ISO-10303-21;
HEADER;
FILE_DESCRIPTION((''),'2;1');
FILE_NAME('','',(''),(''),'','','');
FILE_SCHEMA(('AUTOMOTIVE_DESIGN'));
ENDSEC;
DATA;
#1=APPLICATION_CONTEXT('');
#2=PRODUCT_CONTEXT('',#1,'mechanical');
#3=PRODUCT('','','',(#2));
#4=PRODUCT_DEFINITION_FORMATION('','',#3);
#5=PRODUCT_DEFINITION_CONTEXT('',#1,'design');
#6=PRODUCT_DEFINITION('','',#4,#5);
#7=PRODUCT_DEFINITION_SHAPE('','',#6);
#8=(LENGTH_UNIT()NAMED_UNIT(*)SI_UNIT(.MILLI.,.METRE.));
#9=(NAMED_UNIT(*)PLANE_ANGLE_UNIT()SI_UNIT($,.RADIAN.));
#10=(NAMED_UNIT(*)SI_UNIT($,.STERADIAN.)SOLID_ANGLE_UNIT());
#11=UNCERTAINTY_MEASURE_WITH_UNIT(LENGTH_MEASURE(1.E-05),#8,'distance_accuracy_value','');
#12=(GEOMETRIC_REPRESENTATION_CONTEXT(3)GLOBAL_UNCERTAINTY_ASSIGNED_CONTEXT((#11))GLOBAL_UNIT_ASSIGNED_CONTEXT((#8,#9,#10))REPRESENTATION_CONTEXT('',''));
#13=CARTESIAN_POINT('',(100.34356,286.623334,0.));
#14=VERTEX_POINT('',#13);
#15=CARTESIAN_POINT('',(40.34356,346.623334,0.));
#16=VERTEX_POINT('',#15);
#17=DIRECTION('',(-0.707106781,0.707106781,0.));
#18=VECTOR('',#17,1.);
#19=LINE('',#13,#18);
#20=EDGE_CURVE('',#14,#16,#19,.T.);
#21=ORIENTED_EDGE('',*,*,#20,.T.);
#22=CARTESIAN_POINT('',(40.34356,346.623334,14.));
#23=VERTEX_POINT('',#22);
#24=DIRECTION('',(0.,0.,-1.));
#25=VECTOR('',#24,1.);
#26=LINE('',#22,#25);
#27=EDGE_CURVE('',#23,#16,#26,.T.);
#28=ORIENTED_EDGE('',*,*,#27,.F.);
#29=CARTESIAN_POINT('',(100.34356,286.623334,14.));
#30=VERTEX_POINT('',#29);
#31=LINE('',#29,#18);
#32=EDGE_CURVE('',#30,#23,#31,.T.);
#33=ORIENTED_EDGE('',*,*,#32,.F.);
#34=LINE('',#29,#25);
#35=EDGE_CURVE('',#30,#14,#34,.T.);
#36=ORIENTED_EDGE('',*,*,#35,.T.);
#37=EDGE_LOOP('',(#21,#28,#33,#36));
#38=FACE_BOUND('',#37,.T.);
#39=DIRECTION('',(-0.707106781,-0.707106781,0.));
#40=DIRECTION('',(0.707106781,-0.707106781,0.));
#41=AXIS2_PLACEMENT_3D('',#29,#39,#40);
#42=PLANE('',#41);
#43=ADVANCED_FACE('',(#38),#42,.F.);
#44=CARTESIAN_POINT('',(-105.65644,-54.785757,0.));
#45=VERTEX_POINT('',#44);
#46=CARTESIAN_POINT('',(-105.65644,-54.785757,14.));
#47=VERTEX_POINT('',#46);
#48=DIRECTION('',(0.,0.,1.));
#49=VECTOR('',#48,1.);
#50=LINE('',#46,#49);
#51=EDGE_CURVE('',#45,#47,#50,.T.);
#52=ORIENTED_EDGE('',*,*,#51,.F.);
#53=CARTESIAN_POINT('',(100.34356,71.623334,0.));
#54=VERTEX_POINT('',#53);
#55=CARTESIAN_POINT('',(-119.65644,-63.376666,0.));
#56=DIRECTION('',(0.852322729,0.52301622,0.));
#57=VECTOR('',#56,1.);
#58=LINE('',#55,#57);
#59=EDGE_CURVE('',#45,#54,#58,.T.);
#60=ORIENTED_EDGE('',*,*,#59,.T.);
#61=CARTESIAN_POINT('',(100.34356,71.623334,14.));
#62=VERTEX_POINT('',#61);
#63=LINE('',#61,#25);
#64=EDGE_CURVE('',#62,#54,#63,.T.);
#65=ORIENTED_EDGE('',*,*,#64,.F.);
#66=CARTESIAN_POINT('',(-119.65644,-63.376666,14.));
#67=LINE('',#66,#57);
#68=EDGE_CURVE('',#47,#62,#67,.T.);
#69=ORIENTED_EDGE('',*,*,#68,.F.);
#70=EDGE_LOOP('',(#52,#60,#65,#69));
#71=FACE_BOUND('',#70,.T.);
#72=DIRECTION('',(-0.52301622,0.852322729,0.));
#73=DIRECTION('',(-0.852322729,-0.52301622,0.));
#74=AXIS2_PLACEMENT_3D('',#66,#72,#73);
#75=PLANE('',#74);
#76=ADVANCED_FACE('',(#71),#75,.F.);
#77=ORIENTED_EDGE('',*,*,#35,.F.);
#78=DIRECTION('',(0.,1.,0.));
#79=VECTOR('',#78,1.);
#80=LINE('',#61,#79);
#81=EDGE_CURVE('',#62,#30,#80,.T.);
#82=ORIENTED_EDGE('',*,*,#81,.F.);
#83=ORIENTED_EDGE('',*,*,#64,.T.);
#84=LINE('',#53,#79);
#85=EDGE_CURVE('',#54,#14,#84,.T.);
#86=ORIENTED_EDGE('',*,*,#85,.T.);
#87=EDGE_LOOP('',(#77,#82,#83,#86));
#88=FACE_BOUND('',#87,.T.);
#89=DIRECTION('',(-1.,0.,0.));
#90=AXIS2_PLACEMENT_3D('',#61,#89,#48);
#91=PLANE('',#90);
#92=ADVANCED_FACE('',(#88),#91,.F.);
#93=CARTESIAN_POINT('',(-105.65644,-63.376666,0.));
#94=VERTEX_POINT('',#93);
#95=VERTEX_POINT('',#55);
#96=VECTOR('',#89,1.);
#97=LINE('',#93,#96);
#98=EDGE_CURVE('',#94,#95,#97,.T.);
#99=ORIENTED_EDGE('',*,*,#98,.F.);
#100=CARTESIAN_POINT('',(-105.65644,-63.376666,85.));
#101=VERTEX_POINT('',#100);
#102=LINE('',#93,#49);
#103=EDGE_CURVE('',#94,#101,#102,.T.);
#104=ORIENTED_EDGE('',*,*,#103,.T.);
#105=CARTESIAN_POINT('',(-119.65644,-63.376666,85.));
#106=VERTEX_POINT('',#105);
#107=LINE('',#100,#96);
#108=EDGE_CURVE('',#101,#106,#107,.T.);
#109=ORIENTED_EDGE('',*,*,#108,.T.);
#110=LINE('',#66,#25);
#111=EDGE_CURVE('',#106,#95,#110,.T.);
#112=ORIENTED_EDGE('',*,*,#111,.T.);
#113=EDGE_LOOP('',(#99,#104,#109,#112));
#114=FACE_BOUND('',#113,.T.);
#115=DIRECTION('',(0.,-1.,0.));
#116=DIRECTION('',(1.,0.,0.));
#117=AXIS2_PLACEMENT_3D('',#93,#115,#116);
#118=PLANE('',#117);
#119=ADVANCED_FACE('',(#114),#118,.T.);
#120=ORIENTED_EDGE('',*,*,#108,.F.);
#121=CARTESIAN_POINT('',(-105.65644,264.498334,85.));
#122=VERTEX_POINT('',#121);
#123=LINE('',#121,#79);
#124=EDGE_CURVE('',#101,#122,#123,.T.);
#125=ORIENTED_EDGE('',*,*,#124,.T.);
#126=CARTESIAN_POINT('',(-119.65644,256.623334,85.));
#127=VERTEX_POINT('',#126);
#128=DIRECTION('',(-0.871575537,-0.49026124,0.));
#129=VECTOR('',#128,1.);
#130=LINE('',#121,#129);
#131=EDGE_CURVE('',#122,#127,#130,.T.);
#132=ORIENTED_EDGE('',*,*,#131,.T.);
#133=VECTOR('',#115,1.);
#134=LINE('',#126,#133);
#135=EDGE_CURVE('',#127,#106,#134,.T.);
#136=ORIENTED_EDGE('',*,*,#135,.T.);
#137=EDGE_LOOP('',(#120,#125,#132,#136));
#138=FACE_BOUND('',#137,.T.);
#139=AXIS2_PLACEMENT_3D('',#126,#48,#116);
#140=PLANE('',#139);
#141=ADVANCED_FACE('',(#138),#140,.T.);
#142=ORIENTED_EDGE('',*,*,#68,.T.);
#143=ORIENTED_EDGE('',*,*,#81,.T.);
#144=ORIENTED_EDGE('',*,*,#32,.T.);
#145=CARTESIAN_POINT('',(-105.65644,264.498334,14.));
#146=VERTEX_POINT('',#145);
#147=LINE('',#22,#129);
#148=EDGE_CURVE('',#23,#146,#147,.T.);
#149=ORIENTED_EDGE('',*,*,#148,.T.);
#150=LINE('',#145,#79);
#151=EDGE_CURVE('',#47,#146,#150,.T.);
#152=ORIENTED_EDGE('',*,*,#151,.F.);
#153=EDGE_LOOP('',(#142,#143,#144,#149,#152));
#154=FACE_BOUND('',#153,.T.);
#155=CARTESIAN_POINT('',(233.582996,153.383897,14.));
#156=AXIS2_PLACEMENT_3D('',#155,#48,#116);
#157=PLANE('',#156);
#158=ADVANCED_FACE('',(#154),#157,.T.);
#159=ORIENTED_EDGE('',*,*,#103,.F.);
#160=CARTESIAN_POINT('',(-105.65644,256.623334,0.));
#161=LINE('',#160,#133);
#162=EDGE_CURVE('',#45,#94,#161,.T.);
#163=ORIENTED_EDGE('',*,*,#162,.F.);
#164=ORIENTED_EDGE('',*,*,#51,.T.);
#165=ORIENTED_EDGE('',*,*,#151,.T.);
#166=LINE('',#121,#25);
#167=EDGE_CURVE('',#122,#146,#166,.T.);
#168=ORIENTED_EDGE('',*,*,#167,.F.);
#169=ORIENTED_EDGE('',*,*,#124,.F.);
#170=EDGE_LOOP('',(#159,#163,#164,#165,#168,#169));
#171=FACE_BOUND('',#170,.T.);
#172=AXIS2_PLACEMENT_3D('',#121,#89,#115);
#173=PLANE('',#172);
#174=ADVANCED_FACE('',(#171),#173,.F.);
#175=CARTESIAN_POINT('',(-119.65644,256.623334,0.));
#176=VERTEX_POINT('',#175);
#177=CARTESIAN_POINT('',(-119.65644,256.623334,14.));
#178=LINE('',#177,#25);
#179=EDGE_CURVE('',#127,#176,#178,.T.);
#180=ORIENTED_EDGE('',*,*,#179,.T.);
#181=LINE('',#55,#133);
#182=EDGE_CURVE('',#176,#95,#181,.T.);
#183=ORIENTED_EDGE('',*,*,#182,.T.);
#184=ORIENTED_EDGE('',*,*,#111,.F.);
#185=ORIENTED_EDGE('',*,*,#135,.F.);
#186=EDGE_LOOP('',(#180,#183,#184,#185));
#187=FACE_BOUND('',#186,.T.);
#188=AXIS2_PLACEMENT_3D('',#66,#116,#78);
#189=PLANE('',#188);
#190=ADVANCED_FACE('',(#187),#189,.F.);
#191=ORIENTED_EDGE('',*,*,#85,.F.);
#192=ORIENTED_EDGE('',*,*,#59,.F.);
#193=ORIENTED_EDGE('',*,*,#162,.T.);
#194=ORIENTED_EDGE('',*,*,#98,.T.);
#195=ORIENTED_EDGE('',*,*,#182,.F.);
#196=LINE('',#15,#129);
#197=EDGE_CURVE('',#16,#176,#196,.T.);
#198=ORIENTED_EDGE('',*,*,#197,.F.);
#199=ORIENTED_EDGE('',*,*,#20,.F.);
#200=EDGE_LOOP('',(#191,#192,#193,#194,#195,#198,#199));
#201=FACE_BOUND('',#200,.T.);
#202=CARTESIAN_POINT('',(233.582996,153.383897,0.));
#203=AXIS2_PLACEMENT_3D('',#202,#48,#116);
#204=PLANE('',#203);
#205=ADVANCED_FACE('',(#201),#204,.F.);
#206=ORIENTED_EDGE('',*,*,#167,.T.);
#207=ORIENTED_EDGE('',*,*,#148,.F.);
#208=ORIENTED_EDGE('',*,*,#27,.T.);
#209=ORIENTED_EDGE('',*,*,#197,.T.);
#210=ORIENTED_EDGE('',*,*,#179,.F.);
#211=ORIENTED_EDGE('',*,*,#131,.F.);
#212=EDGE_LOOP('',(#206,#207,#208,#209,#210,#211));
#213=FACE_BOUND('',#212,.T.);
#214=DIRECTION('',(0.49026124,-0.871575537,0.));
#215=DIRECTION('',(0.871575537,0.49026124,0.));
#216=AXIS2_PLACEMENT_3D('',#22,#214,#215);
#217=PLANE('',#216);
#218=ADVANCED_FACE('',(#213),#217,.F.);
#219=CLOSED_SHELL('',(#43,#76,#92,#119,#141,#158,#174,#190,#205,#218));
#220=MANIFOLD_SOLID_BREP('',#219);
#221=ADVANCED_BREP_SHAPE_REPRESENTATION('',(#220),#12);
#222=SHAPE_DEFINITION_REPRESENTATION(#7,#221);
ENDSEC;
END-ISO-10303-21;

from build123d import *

# Parameters (mm, degrees)
SKETCH_1_R             = 13
EXTRUDE_1_DEPTH        = 14
EXTRUDE_2_DEPTH        = 71
SKETCH_5_R             = 13
CUT_EXTRUDE_3_DEPTH    = 420.252591423
PATTERN_LINEAR_1_COUNT = 4
PATTERN_LINEAR_1_PITCH = 80
SKETCH_7_W             = 85
SKETCH_7_H             = 320
EXTRUDE_3_DEPTH        = 14
EXTRUDE_4_DEPTH        = 14


with BuildPart() as part:
    # 草图1 → 凸台-拉伸1 (new body)
    with BuildSketch(Plane.XY):
        Polygon((-119.656440364, -63.376666372), (-119.656440364, 256.623333628), (40.343559636, 346.623333628), (100.343559636, 286.623333628), (100.343559636, 71.623333628), align=None)
        with Locations((-16.318215015, 232.316337145)):
            Circle(SKETCH_1_R, mode=Mode.SUBTRACT)
        with Locations((36.830892091, 292.109082639)):
            Circle(SKETCH_1_R, mode=Mode.SUBTRACT)
    extrude(amount=EXTRUDE_1_DEPTH)

    # 草图3 → 凸台-拉伸2 (add)
    with BuildSketch(Plane.XY.offset(14)):
        Polygon((-105.656440364, 264.498333628), (-105.656440364, -54.785757281), (-119.656440364, -63.376666372), (-119.656440364, 256.623333628), align=None)
    extrude(amount=EXTRUDE_2_DEPTH)

    # 草图5 → 切除-拉伸3 (cut, through all)
    with BuildSketch(Plane.ZY.offset(119.656440364)):
        with Locations(Location((47, 216.623333628, 0), (0, 0, 270))):
            Circle(SKETCH_5_R)
    cut_extrude_3 = extrude(amount=-CUT_EXTRUDE_3_DEPTH, mode=Mode.SUBTRACT)

    # 阵列(线性)1: 切除-拉伸3 ×4
    with Locations(*[(0, -i * PATTERN_LINEAR_1_PITCH, 0) for i in range(1, PATTERN_LINEAR_1_COUNT)]):
        add(cut_extrude_3, mode=Mode.SUBTRACT)

    # 草图7 → 凸台-拉伸3 (add)
    with BuildSketch(Plane.ZY.offset(119.656440364)):
        with Locations((42.5, 96.623333628)):
            Rectangle(SKETCH_7_W, SKETCH_7_H)
    extrude(amount=-EXTRUDE_3_DEPTH)

    # 草图8 → 凸台-拉伸4 (add)
    with BuildSketch(Plane.XY.offset(14)):
        Polygon((-119.656440364, 256.623333628), (40.343559636, 346.623333628), (100.343559636, 286.623333628), (100.343559636, 71.623333628), (-119.656440364, -63.376666372), align=None)
    extrude(amount=-EXTRUDE_4_DEPTH)


solid = part.part
